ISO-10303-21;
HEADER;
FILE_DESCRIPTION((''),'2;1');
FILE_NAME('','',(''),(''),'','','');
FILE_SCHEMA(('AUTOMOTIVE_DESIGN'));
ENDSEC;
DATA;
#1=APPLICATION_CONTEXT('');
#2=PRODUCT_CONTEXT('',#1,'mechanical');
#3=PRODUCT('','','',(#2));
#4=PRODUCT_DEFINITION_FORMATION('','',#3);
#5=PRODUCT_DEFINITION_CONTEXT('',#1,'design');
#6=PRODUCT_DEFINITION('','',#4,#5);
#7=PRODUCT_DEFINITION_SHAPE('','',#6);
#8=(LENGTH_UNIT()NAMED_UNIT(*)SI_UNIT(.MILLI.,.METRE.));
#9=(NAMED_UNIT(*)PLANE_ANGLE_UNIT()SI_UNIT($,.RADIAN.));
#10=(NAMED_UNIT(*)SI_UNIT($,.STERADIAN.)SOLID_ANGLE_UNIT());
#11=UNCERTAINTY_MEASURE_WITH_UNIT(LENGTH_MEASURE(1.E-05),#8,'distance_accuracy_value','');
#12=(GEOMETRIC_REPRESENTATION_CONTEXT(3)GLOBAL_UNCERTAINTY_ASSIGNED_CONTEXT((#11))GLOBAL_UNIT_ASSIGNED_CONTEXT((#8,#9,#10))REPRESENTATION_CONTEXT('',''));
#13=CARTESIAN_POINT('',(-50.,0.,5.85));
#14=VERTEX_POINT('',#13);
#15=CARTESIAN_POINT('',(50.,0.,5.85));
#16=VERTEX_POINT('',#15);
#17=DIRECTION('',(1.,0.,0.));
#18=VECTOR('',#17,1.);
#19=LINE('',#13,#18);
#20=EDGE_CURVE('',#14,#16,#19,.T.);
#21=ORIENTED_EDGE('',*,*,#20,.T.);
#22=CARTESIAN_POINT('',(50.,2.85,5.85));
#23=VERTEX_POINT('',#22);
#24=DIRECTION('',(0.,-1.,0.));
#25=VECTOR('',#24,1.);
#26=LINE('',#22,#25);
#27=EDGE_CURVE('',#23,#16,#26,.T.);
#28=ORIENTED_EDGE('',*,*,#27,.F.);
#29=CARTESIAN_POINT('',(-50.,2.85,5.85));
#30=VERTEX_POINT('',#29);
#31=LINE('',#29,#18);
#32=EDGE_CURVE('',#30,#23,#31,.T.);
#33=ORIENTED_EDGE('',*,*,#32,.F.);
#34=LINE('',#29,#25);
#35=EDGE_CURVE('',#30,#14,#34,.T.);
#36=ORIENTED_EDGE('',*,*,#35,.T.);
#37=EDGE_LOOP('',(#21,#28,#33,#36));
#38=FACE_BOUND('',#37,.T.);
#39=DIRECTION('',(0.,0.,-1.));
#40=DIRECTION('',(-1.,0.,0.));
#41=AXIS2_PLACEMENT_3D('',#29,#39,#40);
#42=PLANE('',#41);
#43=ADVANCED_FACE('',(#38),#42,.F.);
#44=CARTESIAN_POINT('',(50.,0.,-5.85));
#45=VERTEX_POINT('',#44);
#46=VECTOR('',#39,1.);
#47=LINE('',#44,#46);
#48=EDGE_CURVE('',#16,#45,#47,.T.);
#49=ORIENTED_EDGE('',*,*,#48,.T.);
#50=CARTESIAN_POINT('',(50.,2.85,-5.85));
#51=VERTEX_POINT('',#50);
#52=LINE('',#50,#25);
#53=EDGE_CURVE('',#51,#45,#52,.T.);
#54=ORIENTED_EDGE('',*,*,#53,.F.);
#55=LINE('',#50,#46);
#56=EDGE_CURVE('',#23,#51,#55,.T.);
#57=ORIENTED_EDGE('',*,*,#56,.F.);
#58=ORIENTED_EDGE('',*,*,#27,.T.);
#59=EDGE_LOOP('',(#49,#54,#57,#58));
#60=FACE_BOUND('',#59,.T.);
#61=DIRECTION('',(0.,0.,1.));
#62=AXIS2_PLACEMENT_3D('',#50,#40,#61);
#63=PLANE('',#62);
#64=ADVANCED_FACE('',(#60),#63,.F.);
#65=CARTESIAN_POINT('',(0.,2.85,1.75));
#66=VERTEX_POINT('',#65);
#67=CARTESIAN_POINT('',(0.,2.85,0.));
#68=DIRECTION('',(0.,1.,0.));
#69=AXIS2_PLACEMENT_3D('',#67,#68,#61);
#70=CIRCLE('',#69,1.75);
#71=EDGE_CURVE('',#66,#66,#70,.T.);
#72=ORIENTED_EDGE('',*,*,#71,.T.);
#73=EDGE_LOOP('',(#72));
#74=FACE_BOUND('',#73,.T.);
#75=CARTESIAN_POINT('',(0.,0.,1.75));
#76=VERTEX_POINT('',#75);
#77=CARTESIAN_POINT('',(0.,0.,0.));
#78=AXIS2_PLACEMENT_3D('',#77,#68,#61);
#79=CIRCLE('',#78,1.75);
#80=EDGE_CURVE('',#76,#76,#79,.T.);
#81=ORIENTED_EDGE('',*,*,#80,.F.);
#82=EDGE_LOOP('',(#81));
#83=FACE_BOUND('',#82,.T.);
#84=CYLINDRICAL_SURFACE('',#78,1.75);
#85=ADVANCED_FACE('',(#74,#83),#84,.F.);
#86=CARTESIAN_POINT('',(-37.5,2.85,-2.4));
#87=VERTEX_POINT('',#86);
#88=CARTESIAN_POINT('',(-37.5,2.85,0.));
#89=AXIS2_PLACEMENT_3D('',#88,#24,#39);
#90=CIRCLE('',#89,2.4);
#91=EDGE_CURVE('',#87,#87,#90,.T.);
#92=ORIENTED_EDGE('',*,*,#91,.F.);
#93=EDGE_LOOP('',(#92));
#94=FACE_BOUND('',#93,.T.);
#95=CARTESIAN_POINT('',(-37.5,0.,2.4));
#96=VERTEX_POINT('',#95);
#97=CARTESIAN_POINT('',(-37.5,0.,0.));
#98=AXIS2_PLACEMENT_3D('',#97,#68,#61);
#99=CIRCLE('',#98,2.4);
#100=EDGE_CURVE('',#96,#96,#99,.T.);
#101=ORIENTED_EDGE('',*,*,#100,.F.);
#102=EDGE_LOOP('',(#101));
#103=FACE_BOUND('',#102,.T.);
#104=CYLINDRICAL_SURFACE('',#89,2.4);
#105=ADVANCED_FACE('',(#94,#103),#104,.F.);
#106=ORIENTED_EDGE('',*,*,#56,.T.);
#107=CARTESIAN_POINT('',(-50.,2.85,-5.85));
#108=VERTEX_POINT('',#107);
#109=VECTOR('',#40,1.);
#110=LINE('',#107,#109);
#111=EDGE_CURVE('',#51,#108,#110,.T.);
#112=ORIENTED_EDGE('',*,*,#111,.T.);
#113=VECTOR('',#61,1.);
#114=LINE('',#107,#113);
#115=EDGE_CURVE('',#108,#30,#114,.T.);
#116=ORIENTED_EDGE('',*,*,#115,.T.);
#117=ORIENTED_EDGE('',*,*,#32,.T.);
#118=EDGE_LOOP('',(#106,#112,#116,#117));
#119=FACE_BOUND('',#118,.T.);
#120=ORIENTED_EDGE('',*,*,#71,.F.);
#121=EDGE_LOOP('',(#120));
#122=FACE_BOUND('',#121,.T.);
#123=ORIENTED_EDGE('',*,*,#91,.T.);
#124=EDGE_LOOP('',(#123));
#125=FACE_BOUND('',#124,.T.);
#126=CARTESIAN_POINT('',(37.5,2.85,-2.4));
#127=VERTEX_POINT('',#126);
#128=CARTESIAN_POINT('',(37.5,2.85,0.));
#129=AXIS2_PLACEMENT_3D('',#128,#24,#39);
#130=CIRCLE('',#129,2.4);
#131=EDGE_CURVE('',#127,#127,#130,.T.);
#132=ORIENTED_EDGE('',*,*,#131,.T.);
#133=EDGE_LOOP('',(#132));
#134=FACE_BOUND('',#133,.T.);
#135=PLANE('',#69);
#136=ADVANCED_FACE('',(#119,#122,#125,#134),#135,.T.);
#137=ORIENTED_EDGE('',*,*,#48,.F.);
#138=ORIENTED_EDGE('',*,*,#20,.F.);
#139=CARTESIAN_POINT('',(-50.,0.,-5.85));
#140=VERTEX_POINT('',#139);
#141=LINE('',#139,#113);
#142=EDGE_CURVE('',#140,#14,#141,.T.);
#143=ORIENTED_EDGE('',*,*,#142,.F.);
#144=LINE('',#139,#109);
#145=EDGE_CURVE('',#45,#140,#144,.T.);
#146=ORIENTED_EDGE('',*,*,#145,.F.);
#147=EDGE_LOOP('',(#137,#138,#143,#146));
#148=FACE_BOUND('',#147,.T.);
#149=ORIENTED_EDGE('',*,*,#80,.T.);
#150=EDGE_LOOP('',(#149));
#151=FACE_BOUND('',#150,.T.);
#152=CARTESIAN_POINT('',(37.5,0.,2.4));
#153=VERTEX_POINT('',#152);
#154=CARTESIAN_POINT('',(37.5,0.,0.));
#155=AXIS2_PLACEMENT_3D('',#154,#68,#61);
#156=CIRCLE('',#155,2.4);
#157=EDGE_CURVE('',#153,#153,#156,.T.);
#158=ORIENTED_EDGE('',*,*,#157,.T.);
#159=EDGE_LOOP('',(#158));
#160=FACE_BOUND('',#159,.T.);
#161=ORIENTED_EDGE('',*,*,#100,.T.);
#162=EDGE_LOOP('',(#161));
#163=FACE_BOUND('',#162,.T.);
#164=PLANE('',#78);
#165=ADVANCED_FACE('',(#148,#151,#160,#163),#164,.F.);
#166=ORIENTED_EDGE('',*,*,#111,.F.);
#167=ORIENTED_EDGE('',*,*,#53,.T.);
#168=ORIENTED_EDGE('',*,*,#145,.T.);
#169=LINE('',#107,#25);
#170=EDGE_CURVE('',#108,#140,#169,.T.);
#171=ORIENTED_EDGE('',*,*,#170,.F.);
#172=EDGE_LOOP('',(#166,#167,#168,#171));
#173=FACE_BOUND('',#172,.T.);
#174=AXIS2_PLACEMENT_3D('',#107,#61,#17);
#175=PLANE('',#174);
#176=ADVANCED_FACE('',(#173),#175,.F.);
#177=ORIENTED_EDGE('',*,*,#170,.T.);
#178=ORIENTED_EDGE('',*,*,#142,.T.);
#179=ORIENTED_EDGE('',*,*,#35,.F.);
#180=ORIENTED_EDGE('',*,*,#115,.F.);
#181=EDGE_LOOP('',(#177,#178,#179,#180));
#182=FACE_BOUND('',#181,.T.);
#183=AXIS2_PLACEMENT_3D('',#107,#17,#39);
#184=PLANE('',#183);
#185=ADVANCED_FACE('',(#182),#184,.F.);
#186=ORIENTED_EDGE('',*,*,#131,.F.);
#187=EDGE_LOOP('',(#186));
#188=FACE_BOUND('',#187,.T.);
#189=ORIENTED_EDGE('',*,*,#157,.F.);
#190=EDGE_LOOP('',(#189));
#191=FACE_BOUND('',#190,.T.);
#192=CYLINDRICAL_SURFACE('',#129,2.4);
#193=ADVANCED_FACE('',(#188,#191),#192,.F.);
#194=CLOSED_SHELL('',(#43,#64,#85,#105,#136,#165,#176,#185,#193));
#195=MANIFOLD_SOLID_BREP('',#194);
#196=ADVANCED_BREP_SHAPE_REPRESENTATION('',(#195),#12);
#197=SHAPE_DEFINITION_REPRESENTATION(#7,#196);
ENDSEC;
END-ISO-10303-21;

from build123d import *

# Parameters (mm, degrees)
SKETCH1_W           = 100
SKETCH1_H           = 11.7
BOSS_EXTRUDE1_DEPTH = 2.85
SKETCH2_R           = 1.75
CUT_EXTRUDE3_DEPTH  = 51.421671928
SKETCH3_R           = 2.4
CUT_EXTRUDE4_DEPTH  = 51.662732852


with BuildPart() as part:
    # Sketch1 → Boss-Extrude1 (new body)
    with BuildSketch(Plane(origin=(0, 0, 0), x_dir=(1, 0, 0), z_dir=(0, 1, 0))):
        Rectangle(SKETCH1_W, SKETCH1_H)
    extrude(amount=BOSS_EXTRUDE1_DEPTH)

    # Sketch2 → Cut-Extrude3 (cut, through all)
    with BuildSketch(Plane(origin=(0, 2.85, 0), x_dir=(1, 0, 0), z_dir=(0, 1, 0))):
        with Locations(Location((0, 0, 0), (0, 0, 270))):
            Circle(SKETCH2_R)
    extrude(amount=-CUT_EXTRUDE3_DEPTH, mode=Mode.SUBTRACT)

    # Sketch3 → Cut-Extrude4 (cut, through all)
    with BuildSketch(Plane.XZ.offset(2.85)):
        with Locations(Location((-37.5, 0, 0), (0, 0, 270))):
            Circle(SKETCH3_R)
        with Locations(Location((37.5, 0, 0), (0, 0, 270))):
            Circle(SKETCH3_R)
    extrude(amount=-CUT_EXTRUDE4_DEPTH, mode=Mode.SUBTRACT)


solid = part.part
